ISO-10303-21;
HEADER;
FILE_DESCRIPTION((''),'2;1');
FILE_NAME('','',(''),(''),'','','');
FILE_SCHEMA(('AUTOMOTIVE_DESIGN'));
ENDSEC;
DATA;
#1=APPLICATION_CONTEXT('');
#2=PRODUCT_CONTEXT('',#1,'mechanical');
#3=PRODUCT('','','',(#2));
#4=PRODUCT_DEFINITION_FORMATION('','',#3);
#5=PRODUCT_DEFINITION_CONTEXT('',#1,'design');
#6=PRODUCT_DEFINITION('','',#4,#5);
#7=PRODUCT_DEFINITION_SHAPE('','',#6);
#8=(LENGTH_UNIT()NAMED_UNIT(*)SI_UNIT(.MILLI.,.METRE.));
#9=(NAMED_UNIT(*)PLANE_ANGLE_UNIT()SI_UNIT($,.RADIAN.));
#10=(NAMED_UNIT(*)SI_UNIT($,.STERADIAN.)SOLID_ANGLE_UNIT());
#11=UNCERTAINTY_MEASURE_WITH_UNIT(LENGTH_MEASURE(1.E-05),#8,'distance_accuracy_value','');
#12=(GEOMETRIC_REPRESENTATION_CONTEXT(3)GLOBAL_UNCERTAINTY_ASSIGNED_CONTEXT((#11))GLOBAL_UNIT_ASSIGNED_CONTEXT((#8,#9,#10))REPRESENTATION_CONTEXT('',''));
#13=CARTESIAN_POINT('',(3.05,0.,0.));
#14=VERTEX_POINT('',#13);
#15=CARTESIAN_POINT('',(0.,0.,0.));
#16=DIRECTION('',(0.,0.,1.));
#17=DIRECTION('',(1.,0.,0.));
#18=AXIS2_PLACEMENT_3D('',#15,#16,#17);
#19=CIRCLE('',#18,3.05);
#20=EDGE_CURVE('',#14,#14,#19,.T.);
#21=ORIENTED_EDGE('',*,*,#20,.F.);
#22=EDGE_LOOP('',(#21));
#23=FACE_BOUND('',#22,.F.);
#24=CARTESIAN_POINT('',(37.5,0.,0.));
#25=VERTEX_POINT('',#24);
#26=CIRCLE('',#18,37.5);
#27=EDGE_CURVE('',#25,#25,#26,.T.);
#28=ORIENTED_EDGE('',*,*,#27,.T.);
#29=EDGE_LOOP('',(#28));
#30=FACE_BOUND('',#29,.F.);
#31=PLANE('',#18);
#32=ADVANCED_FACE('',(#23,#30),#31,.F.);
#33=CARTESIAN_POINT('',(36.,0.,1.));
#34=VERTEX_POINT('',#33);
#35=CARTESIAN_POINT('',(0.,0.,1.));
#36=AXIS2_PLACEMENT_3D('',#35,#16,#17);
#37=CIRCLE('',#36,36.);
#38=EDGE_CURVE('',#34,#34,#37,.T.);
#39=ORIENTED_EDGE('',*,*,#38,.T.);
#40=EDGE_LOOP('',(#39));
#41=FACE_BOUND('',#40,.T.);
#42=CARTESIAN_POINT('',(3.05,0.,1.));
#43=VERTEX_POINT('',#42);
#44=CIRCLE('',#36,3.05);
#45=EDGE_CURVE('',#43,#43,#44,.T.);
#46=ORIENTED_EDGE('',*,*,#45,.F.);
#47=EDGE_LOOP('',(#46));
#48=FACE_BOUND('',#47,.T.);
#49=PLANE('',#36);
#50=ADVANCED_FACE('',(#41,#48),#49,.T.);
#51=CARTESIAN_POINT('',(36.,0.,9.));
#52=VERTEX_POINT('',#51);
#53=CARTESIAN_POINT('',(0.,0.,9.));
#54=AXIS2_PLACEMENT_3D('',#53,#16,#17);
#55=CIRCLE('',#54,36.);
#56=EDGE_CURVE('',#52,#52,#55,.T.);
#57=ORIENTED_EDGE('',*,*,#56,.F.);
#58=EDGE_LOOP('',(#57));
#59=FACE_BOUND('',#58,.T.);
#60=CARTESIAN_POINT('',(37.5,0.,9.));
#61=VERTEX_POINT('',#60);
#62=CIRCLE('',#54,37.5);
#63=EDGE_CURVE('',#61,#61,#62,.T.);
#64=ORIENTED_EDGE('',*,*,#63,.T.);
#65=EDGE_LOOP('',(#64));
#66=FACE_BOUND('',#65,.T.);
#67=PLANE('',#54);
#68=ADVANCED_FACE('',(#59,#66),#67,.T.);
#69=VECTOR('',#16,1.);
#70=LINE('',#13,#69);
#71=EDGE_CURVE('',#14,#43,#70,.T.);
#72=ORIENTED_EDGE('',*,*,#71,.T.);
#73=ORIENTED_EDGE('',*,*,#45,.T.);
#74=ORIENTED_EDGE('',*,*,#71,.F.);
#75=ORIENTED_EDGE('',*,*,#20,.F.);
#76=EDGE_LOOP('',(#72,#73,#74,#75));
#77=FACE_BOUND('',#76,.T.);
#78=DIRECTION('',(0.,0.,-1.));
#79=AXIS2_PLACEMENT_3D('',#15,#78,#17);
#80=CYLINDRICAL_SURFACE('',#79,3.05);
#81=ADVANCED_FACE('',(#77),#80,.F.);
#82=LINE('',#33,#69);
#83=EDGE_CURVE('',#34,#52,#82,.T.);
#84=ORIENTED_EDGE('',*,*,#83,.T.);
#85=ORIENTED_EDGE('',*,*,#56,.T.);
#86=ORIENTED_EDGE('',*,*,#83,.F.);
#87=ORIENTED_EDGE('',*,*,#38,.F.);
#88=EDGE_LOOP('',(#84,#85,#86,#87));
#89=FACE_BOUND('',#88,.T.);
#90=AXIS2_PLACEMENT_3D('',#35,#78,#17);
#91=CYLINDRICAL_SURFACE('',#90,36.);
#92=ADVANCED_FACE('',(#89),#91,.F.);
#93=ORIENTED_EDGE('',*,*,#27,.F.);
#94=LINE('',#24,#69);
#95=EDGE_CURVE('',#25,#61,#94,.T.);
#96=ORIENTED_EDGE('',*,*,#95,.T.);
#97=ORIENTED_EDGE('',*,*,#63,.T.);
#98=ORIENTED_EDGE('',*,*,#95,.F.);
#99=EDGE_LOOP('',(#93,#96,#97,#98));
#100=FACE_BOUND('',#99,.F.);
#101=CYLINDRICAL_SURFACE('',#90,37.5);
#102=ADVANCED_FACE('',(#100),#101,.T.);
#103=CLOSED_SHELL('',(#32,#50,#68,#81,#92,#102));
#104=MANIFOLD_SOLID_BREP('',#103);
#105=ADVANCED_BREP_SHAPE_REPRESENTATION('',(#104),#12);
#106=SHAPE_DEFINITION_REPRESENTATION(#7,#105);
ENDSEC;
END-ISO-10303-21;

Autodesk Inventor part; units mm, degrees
ref_plane "YZ Plane" through (0, 0, 0) normal (1, 0, 0) x (0, 1, 0)
ref_plane "XZ Plane" through (0, 0, 0) normal (0, 1, 0) x (-1, 0, 0)
ref_plane "XY Plane" through (0, 0, 0) normal (0, 0, 1) x (1, 0, 0)
sketch "Эскиз1" plane through (0, 0, 0) normal (0, 0, 1) x (1, 0, 0)
  circle A0 centre (0, 0) radius 36.5
  circle A1 centre (0, 0) radius 37.5
  circle A2 centre (0, 0) radius 3.05
  dimension "d0" = 73
  dimension "d1" = 75
  dimension "d2" = 6.1
extrude "Выдавливание1" add sketch "Эскиз1" along normal blind 1 contours A0 | A1
sketch "Эскиз2" plane through (0, 0, 1) normal (0, 0, 1) x (1, 0, 0)
  circle A0 centre (0, 0) radius 36
  circle A1 centre (0, 0) radius 37.5 projected
  dimension "d5" = 72
extrude "Выдавливание2" add sketch "Эскиз2" along normal blind 8
properties part number "блюдце"
